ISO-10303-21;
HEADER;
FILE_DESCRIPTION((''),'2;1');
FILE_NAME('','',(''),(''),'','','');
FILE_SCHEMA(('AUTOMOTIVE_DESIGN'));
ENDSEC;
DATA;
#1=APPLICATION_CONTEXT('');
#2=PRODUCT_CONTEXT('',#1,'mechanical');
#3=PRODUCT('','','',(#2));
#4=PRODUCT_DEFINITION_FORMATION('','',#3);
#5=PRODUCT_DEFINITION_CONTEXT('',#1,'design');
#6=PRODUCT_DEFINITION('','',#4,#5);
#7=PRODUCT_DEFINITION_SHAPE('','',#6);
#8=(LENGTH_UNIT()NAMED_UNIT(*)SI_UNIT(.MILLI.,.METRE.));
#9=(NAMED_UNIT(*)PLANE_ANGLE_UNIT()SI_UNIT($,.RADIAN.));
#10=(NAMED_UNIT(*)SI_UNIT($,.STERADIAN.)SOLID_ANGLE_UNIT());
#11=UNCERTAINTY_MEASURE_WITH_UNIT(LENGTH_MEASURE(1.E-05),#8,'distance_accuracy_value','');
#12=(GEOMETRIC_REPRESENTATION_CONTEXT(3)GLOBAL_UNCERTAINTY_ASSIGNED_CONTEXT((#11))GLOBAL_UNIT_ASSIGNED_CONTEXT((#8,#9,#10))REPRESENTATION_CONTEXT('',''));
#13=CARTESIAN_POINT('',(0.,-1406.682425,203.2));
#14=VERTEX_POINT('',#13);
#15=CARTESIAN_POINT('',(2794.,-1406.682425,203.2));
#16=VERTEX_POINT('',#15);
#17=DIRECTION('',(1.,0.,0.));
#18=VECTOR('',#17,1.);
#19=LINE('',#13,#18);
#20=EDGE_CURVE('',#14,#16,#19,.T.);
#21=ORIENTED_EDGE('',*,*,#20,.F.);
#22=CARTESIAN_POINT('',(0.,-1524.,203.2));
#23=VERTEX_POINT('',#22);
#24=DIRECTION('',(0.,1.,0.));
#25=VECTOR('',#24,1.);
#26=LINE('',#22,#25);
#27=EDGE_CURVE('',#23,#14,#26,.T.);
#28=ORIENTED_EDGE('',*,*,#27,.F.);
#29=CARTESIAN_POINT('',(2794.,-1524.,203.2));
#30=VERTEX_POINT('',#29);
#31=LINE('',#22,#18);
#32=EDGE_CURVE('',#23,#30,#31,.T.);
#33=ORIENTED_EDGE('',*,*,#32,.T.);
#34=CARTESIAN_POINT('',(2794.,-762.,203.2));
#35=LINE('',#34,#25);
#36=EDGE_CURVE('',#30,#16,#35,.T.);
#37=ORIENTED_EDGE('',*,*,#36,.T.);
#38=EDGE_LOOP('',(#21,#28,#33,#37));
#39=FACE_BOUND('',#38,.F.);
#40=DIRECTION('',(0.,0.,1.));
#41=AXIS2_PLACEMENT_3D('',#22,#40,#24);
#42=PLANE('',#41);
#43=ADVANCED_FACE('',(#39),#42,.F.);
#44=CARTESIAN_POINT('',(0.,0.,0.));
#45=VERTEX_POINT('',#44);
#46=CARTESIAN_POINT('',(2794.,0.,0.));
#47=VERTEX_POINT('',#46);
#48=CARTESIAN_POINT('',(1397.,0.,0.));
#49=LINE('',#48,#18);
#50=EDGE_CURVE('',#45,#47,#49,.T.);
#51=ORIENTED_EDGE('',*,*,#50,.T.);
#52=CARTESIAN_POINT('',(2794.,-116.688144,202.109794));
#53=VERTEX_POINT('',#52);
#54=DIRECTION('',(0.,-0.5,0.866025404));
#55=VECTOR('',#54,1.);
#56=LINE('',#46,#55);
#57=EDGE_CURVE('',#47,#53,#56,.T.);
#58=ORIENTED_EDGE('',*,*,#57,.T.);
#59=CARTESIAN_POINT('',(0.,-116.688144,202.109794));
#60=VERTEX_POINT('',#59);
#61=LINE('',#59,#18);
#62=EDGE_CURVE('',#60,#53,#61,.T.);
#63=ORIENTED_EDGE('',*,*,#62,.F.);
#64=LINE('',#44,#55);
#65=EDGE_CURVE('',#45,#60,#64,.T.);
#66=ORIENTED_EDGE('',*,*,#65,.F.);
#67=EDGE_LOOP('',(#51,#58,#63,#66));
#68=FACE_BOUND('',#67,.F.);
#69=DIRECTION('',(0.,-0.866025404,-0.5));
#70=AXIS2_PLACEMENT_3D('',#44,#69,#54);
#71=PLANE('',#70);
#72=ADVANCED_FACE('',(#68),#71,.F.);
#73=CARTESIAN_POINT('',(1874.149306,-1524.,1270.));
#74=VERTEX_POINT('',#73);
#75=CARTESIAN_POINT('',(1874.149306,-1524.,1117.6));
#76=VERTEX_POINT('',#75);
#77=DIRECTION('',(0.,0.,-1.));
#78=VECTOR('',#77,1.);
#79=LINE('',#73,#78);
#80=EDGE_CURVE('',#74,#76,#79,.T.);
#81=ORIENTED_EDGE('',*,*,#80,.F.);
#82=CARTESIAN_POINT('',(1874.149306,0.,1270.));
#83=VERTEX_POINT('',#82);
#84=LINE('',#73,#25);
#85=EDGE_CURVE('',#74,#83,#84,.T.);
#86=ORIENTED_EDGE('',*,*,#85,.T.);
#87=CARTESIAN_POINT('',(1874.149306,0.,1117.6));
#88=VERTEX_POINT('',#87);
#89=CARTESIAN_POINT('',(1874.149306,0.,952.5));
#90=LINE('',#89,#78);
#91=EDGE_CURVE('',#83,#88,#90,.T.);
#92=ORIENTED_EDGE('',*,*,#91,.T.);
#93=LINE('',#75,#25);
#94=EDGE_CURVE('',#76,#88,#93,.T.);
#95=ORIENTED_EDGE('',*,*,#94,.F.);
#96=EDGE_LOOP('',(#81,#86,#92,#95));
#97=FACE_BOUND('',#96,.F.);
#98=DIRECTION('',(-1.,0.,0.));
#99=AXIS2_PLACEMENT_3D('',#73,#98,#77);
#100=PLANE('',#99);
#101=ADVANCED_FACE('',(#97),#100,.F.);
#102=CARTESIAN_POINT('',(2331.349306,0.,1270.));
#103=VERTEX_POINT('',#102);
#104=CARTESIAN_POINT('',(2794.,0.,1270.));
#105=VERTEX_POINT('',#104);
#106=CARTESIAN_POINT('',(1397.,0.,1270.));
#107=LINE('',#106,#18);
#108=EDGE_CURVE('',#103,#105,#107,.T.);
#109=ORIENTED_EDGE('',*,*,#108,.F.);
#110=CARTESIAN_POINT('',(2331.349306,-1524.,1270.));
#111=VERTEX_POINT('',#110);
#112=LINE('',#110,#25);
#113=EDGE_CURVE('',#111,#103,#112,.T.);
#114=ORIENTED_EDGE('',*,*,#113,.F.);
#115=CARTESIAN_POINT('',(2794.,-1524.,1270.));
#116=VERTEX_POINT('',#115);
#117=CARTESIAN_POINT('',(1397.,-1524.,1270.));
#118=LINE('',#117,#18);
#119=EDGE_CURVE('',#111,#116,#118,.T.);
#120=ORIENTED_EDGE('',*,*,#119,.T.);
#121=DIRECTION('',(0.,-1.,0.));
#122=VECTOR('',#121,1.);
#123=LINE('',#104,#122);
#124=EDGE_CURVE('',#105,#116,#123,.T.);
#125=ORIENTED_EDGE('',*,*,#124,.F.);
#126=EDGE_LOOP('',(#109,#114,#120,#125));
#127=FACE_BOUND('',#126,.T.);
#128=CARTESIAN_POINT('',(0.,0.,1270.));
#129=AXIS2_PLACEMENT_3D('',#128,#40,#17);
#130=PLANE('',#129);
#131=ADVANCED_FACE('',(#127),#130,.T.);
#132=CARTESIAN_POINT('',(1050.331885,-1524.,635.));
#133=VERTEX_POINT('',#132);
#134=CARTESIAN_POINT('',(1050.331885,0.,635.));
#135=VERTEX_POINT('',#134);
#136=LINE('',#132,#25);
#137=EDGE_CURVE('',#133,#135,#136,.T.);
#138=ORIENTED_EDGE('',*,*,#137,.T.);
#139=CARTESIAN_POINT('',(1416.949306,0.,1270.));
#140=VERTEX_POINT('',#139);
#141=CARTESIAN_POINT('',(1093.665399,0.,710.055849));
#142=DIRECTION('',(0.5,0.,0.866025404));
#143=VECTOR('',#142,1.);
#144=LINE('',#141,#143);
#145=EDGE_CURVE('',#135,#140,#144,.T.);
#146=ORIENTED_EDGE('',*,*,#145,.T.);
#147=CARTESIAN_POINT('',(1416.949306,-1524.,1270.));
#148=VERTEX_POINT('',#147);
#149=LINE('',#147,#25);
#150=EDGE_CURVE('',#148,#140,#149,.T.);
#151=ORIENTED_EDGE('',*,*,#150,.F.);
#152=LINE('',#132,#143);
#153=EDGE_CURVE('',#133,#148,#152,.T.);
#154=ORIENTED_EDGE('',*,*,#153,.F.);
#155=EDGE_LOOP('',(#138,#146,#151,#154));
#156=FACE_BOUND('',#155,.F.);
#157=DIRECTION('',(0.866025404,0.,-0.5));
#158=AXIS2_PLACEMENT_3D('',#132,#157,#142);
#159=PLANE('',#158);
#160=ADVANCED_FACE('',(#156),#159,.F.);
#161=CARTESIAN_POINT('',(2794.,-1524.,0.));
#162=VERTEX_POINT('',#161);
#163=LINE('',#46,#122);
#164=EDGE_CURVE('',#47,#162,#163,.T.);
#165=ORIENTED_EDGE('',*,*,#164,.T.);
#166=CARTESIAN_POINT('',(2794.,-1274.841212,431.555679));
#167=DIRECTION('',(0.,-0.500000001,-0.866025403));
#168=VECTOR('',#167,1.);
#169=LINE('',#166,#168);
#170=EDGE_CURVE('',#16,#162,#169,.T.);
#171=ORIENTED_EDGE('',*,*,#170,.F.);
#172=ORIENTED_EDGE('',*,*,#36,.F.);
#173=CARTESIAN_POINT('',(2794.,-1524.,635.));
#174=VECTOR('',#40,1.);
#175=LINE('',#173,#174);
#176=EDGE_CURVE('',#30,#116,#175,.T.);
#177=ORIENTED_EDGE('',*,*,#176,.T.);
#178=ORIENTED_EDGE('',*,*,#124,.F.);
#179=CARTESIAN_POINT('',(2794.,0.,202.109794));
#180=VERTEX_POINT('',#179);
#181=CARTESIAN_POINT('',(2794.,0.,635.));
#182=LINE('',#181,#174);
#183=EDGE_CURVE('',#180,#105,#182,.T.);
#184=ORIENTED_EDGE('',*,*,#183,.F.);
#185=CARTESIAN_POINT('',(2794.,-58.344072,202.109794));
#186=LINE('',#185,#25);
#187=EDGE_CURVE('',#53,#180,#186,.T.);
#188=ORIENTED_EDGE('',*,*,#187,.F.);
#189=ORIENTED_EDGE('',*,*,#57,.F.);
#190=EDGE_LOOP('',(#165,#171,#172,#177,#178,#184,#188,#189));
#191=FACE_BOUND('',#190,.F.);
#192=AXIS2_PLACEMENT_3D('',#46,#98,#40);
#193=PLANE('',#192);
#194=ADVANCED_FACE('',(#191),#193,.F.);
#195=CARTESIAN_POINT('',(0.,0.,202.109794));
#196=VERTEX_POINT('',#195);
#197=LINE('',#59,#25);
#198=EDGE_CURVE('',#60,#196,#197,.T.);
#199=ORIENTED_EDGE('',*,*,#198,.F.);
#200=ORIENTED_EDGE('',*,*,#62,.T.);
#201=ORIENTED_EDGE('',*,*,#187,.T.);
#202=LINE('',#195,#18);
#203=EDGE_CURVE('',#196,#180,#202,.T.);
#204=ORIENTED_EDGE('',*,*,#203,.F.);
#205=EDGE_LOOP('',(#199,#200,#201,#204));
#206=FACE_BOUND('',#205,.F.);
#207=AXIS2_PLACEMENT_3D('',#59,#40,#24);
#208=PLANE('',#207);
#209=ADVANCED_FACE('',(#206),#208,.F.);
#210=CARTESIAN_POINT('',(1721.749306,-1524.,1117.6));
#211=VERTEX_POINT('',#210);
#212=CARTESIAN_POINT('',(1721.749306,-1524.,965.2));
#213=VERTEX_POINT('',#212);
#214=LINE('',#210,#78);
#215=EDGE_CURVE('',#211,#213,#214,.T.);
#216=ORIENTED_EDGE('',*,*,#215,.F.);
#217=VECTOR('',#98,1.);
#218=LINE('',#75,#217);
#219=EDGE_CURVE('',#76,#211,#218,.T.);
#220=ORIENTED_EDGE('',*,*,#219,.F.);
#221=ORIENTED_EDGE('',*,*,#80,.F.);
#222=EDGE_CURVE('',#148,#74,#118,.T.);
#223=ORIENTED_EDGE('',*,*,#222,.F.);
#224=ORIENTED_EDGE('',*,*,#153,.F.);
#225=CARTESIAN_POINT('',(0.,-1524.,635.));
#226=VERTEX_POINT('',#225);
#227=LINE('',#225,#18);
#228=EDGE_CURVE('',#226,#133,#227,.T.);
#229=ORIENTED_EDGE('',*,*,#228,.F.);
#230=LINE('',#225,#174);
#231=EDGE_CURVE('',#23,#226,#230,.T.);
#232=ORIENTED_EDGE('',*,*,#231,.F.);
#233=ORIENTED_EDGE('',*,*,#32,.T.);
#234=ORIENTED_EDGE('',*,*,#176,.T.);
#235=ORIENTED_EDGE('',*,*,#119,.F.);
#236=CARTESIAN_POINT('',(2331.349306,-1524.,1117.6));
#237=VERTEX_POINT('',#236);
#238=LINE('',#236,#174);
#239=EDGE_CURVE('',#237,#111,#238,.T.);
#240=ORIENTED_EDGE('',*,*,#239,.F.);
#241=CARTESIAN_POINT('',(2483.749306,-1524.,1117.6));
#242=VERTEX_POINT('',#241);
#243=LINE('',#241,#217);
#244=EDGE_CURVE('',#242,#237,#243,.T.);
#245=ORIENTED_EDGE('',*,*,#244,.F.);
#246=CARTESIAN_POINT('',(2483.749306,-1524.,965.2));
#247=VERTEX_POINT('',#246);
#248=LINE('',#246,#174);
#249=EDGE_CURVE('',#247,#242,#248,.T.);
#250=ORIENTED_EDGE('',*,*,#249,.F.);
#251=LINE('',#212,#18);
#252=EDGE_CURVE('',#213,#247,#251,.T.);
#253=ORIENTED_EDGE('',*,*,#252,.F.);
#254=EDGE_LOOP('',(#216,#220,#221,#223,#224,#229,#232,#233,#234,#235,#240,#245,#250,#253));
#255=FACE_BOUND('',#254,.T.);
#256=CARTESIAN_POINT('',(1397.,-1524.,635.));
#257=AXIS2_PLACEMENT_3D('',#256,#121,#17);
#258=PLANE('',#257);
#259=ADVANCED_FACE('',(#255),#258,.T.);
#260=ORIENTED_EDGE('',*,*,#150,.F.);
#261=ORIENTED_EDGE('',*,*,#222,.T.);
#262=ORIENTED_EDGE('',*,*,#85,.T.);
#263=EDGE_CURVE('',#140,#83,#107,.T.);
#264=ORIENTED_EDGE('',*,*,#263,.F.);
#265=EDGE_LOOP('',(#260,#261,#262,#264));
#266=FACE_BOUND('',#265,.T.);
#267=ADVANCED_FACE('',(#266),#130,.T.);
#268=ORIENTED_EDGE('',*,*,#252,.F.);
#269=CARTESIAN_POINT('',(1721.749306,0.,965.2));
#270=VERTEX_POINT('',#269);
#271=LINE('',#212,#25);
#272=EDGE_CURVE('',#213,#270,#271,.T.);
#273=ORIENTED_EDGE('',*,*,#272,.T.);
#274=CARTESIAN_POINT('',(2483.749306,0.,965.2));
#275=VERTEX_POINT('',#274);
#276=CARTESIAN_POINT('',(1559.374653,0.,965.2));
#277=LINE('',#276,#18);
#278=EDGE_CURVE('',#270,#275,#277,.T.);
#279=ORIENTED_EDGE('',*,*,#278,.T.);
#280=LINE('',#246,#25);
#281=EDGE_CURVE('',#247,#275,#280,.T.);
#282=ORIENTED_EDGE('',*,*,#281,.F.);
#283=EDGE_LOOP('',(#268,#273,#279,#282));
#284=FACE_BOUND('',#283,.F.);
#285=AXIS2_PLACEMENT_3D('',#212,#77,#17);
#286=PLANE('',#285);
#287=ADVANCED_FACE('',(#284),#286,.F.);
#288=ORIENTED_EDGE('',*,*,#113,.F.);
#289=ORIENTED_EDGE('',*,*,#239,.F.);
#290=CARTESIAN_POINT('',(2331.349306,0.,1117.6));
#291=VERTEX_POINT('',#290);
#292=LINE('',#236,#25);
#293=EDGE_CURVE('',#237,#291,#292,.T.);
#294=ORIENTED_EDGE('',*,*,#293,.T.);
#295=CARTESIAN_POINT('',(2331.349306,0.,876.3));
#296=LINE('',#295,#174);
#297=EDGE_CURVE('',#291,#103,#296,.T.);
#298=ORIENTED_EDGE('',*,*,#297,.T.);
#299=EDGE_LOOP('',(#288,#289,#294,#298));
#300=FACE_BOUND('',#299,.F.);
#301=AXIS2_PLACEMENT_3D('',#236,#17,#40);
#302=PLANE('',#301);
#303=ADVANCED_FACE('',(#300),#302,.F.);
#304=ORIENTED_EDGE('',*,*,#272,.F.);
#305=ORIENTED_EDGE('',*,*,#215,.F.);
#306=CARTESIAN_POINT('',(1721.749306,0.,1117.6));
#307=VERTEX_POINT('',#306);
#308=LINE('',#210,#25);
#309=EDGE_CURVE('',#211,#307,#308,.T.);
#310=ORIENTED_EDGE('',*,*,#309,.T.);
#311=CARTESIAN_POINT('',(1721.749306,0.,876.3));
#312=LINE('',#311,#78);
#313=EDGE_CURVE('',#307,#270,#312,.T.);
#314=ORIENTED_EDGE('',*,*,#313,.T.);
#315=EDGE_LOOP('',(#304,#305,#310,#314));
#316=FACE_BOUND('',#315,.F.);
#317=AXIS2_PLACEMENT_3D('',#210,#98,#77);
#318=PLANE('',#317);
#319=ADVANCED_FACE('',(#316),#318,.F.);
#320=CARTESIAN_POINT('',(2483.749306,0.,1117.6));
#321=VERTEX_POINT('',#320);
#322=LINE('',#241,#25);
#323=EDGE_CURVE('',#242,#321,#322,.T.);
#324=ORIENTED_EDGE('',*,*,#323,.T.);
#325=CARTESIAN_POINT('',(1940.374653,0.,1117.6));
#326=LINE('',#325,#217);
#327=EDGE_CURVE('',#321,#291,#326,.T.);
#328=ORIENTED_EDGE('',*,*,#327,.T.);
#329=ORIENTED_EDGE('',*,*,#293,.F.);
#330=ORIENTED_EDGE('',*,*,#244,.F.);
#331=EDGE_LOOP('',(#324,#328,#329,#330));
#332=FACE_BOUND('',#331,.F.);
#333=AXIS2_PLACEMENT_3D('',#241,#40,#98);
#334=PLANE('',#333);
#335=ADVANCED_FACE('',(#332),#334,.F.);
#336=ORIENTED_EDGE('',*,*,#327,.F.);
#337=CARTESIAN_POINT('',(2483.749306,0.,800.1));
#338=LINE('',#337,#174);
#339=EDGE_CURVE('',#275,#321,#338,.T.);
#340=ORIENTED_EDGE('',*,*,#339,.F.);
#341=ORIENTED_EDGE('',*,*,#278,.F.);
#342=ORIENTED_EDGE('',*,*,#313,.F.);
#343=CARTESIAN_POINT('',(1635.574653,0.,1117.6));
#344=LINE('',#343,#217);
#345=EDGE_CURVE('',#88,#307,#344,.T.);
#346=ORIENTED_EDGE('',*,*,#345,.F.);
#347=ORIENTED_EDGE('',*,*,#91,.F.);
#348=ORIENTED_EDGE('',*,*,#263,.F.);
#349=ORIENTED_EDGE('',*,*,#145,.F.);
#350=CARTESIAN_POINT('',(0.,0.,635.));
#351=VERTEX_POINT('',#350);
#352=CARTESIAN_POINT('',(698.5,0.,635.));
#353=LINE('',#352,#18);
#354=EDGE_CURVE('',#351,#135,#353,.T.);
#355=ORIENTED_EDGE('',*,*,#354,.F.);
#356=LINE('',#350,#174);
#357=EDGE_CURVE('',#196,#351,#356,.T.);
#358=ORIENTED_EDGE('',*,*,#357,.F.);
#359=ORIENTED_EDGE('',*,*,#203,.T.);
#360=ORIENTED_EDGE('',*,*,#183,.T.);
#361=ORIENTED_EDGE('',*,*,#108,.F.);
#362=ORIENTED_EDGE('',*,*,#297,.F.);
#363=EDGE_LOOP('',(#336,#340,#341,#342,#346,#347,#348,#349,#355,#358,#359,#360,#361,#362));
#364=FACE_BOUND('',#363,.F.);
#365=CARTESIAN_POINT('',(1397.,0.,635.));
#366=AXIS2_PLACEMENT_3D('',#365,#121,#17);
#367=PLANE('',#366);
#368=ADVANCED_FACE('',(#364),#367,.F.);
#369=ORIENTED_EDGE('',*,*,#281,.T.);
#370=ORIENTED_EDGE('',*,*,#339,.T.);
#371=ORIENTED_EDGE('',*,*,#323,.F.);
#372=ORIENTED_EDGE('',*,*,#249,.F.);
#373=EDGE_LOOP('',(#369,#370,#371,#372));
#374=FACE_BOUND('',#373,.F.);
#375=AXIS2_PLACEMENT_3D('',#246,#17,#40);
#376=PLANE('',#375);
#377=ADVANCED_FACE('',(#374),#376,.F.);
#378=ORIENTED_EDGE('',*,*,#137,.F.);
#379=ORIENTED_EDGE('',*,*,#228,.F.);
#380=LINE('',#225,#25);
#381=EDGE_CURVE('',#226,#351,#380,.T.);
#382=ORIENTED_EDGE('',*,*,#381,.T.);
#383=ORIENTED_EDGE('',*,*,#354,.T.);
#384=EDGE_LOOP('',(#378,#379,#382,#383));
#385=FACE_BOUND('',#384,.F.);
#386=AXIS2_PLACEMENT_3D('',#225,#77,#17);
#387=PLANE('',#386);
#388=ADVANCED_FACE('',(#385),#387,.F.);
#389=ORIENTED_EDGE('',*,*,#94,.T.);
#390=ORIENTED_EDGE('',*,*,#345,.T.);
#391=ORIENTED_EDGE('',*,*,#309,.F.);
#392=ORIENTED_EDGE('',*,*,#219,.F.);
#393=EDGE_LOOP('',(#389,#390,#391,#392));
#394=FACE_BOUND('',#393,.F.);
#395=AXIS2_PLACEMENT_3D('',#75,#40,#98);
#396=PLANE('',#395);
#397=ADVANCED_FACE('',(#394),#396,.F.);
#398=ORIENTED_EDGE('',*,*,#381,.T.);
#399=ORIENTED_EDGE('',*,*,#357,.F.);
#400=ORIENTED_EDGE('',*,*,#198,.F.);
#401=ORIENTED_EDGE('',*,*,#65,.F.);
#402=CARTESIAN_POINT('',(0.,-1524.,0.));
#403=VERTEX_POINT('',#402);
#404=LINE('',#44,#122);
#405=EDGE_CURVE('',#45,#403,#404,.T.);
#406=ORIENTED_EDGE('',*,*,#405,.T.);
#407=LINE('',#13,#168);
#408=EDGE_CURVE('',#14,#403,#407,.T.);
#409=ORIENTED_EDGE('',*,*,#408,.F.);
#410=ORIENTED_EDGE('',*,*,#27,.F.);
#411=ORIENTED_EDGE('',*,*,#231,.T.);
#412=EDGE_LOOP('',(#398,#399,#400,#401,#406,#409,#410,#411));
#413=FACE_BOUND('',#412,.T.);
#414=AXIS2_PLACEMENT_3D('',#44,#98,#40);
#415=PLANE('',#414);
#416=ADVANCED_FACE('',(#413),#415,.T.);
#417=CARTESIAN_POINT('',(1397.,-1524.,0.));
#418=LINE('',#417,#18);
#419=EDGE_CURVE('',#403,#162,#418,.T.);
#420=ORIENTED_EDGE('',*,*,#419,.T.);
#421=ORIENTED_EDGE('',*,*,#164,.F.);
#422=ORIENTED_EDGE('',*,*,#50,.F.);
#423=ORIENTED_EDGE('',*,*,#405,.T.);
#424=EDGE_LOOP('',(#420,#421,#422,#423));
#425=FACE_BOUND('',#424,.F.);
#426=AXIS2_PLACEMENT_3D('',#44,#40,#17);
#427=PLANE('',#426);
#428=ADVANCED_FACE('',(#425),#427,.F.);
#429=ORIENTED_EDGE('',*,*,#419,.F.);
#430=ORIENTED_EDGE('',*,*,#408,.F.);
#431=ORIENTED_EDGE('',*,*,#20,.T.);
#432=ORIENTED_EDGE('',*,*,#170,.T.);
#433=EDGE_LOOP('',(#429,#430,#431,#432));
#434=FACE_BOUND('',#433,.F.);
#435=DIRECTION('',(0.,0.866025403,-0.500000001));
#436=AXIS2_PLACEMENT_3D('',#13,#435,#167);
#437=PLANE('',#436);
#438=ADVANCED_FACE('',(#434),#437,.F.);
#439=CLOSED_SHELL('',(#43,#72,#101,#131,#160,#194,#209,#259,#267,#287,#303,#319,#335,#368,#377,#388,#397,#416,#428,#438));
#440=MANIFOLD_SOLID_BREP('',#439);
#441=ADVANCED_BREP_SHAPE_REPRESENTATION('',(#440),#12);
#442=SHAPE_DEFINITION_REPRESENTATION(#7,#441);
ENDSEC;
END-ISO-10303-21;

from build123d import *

# Parameters (mm, degrees)
F0_W     = 2794
F0_H     = 1270
F1_DEPTH = 1524
F3_DEPTH = 1524.001
F5_DEPTH = 1524.001
F7_DEPTH = 2794.001
F9_DEPTH = 2794.001


with BuildPart() as f1:
    # F0 (on Front) → F1 (new body)
    with BuildSketch(Plane.XZ):
        with Locations((1397, 635)):
            Rectangle(F0_W, F0_H)
    extrude(amount=F1_DEPTH)

    # F2 (on face) → F3 (cut, through all)
    with BuildSketch(Plane.XZ.offset(1524)):
        Polygon((2331.349306, 1270), (1874.149306, 1270), (1874.149306, 1117.6), (1721.749306, 1117.6), (1721.749306, 965.2), (2483.749306, 965.2), (2483.749306, 1117.6), (2331.349306, 1117.6), align=None)
    extrude(amount=-F3_DEPTH, mode=Mode.SUBTRACT)

    # F4 (on face) → F5 (cut, through all)
    with BuildSketch(Plane.XZ.offset(1524)):
        Polygon((1050.331885, 635), (1416.949306, 1270), (0, 1270), (0, 635), align=None)
    extrude(amount=-F5_DEPTH, mode=Mode.SUBTRACT)

    # F6 (on face) → F7 (cut, through all)
    with BuildSketch(Plane(origin=(0, 0, 0), x_dir=(0, -1, 0), z_dir=(-1, 0, 0))):
        Polygon((0, 202.109794), (0, 0), (116.688144, 202.109794), align=None)
    extrude(amount=-F7_DEPTH, mode=Mode.SUBTRACT)

    # F8 (on face) → F9 (cut, through all)
    with BuildSketch(Plane(origin=(0, 0, 0), x_dir=(0, -1, 0), z_dir=(-1, 0, 0))):
        Polygon((1406.682425, 203.2), (1524, 0), (1524, 203.2), align=None)
    extrude(amount=-F9_DEPTH, mode=Mode.SUBTRACT)


solid = f1.part
